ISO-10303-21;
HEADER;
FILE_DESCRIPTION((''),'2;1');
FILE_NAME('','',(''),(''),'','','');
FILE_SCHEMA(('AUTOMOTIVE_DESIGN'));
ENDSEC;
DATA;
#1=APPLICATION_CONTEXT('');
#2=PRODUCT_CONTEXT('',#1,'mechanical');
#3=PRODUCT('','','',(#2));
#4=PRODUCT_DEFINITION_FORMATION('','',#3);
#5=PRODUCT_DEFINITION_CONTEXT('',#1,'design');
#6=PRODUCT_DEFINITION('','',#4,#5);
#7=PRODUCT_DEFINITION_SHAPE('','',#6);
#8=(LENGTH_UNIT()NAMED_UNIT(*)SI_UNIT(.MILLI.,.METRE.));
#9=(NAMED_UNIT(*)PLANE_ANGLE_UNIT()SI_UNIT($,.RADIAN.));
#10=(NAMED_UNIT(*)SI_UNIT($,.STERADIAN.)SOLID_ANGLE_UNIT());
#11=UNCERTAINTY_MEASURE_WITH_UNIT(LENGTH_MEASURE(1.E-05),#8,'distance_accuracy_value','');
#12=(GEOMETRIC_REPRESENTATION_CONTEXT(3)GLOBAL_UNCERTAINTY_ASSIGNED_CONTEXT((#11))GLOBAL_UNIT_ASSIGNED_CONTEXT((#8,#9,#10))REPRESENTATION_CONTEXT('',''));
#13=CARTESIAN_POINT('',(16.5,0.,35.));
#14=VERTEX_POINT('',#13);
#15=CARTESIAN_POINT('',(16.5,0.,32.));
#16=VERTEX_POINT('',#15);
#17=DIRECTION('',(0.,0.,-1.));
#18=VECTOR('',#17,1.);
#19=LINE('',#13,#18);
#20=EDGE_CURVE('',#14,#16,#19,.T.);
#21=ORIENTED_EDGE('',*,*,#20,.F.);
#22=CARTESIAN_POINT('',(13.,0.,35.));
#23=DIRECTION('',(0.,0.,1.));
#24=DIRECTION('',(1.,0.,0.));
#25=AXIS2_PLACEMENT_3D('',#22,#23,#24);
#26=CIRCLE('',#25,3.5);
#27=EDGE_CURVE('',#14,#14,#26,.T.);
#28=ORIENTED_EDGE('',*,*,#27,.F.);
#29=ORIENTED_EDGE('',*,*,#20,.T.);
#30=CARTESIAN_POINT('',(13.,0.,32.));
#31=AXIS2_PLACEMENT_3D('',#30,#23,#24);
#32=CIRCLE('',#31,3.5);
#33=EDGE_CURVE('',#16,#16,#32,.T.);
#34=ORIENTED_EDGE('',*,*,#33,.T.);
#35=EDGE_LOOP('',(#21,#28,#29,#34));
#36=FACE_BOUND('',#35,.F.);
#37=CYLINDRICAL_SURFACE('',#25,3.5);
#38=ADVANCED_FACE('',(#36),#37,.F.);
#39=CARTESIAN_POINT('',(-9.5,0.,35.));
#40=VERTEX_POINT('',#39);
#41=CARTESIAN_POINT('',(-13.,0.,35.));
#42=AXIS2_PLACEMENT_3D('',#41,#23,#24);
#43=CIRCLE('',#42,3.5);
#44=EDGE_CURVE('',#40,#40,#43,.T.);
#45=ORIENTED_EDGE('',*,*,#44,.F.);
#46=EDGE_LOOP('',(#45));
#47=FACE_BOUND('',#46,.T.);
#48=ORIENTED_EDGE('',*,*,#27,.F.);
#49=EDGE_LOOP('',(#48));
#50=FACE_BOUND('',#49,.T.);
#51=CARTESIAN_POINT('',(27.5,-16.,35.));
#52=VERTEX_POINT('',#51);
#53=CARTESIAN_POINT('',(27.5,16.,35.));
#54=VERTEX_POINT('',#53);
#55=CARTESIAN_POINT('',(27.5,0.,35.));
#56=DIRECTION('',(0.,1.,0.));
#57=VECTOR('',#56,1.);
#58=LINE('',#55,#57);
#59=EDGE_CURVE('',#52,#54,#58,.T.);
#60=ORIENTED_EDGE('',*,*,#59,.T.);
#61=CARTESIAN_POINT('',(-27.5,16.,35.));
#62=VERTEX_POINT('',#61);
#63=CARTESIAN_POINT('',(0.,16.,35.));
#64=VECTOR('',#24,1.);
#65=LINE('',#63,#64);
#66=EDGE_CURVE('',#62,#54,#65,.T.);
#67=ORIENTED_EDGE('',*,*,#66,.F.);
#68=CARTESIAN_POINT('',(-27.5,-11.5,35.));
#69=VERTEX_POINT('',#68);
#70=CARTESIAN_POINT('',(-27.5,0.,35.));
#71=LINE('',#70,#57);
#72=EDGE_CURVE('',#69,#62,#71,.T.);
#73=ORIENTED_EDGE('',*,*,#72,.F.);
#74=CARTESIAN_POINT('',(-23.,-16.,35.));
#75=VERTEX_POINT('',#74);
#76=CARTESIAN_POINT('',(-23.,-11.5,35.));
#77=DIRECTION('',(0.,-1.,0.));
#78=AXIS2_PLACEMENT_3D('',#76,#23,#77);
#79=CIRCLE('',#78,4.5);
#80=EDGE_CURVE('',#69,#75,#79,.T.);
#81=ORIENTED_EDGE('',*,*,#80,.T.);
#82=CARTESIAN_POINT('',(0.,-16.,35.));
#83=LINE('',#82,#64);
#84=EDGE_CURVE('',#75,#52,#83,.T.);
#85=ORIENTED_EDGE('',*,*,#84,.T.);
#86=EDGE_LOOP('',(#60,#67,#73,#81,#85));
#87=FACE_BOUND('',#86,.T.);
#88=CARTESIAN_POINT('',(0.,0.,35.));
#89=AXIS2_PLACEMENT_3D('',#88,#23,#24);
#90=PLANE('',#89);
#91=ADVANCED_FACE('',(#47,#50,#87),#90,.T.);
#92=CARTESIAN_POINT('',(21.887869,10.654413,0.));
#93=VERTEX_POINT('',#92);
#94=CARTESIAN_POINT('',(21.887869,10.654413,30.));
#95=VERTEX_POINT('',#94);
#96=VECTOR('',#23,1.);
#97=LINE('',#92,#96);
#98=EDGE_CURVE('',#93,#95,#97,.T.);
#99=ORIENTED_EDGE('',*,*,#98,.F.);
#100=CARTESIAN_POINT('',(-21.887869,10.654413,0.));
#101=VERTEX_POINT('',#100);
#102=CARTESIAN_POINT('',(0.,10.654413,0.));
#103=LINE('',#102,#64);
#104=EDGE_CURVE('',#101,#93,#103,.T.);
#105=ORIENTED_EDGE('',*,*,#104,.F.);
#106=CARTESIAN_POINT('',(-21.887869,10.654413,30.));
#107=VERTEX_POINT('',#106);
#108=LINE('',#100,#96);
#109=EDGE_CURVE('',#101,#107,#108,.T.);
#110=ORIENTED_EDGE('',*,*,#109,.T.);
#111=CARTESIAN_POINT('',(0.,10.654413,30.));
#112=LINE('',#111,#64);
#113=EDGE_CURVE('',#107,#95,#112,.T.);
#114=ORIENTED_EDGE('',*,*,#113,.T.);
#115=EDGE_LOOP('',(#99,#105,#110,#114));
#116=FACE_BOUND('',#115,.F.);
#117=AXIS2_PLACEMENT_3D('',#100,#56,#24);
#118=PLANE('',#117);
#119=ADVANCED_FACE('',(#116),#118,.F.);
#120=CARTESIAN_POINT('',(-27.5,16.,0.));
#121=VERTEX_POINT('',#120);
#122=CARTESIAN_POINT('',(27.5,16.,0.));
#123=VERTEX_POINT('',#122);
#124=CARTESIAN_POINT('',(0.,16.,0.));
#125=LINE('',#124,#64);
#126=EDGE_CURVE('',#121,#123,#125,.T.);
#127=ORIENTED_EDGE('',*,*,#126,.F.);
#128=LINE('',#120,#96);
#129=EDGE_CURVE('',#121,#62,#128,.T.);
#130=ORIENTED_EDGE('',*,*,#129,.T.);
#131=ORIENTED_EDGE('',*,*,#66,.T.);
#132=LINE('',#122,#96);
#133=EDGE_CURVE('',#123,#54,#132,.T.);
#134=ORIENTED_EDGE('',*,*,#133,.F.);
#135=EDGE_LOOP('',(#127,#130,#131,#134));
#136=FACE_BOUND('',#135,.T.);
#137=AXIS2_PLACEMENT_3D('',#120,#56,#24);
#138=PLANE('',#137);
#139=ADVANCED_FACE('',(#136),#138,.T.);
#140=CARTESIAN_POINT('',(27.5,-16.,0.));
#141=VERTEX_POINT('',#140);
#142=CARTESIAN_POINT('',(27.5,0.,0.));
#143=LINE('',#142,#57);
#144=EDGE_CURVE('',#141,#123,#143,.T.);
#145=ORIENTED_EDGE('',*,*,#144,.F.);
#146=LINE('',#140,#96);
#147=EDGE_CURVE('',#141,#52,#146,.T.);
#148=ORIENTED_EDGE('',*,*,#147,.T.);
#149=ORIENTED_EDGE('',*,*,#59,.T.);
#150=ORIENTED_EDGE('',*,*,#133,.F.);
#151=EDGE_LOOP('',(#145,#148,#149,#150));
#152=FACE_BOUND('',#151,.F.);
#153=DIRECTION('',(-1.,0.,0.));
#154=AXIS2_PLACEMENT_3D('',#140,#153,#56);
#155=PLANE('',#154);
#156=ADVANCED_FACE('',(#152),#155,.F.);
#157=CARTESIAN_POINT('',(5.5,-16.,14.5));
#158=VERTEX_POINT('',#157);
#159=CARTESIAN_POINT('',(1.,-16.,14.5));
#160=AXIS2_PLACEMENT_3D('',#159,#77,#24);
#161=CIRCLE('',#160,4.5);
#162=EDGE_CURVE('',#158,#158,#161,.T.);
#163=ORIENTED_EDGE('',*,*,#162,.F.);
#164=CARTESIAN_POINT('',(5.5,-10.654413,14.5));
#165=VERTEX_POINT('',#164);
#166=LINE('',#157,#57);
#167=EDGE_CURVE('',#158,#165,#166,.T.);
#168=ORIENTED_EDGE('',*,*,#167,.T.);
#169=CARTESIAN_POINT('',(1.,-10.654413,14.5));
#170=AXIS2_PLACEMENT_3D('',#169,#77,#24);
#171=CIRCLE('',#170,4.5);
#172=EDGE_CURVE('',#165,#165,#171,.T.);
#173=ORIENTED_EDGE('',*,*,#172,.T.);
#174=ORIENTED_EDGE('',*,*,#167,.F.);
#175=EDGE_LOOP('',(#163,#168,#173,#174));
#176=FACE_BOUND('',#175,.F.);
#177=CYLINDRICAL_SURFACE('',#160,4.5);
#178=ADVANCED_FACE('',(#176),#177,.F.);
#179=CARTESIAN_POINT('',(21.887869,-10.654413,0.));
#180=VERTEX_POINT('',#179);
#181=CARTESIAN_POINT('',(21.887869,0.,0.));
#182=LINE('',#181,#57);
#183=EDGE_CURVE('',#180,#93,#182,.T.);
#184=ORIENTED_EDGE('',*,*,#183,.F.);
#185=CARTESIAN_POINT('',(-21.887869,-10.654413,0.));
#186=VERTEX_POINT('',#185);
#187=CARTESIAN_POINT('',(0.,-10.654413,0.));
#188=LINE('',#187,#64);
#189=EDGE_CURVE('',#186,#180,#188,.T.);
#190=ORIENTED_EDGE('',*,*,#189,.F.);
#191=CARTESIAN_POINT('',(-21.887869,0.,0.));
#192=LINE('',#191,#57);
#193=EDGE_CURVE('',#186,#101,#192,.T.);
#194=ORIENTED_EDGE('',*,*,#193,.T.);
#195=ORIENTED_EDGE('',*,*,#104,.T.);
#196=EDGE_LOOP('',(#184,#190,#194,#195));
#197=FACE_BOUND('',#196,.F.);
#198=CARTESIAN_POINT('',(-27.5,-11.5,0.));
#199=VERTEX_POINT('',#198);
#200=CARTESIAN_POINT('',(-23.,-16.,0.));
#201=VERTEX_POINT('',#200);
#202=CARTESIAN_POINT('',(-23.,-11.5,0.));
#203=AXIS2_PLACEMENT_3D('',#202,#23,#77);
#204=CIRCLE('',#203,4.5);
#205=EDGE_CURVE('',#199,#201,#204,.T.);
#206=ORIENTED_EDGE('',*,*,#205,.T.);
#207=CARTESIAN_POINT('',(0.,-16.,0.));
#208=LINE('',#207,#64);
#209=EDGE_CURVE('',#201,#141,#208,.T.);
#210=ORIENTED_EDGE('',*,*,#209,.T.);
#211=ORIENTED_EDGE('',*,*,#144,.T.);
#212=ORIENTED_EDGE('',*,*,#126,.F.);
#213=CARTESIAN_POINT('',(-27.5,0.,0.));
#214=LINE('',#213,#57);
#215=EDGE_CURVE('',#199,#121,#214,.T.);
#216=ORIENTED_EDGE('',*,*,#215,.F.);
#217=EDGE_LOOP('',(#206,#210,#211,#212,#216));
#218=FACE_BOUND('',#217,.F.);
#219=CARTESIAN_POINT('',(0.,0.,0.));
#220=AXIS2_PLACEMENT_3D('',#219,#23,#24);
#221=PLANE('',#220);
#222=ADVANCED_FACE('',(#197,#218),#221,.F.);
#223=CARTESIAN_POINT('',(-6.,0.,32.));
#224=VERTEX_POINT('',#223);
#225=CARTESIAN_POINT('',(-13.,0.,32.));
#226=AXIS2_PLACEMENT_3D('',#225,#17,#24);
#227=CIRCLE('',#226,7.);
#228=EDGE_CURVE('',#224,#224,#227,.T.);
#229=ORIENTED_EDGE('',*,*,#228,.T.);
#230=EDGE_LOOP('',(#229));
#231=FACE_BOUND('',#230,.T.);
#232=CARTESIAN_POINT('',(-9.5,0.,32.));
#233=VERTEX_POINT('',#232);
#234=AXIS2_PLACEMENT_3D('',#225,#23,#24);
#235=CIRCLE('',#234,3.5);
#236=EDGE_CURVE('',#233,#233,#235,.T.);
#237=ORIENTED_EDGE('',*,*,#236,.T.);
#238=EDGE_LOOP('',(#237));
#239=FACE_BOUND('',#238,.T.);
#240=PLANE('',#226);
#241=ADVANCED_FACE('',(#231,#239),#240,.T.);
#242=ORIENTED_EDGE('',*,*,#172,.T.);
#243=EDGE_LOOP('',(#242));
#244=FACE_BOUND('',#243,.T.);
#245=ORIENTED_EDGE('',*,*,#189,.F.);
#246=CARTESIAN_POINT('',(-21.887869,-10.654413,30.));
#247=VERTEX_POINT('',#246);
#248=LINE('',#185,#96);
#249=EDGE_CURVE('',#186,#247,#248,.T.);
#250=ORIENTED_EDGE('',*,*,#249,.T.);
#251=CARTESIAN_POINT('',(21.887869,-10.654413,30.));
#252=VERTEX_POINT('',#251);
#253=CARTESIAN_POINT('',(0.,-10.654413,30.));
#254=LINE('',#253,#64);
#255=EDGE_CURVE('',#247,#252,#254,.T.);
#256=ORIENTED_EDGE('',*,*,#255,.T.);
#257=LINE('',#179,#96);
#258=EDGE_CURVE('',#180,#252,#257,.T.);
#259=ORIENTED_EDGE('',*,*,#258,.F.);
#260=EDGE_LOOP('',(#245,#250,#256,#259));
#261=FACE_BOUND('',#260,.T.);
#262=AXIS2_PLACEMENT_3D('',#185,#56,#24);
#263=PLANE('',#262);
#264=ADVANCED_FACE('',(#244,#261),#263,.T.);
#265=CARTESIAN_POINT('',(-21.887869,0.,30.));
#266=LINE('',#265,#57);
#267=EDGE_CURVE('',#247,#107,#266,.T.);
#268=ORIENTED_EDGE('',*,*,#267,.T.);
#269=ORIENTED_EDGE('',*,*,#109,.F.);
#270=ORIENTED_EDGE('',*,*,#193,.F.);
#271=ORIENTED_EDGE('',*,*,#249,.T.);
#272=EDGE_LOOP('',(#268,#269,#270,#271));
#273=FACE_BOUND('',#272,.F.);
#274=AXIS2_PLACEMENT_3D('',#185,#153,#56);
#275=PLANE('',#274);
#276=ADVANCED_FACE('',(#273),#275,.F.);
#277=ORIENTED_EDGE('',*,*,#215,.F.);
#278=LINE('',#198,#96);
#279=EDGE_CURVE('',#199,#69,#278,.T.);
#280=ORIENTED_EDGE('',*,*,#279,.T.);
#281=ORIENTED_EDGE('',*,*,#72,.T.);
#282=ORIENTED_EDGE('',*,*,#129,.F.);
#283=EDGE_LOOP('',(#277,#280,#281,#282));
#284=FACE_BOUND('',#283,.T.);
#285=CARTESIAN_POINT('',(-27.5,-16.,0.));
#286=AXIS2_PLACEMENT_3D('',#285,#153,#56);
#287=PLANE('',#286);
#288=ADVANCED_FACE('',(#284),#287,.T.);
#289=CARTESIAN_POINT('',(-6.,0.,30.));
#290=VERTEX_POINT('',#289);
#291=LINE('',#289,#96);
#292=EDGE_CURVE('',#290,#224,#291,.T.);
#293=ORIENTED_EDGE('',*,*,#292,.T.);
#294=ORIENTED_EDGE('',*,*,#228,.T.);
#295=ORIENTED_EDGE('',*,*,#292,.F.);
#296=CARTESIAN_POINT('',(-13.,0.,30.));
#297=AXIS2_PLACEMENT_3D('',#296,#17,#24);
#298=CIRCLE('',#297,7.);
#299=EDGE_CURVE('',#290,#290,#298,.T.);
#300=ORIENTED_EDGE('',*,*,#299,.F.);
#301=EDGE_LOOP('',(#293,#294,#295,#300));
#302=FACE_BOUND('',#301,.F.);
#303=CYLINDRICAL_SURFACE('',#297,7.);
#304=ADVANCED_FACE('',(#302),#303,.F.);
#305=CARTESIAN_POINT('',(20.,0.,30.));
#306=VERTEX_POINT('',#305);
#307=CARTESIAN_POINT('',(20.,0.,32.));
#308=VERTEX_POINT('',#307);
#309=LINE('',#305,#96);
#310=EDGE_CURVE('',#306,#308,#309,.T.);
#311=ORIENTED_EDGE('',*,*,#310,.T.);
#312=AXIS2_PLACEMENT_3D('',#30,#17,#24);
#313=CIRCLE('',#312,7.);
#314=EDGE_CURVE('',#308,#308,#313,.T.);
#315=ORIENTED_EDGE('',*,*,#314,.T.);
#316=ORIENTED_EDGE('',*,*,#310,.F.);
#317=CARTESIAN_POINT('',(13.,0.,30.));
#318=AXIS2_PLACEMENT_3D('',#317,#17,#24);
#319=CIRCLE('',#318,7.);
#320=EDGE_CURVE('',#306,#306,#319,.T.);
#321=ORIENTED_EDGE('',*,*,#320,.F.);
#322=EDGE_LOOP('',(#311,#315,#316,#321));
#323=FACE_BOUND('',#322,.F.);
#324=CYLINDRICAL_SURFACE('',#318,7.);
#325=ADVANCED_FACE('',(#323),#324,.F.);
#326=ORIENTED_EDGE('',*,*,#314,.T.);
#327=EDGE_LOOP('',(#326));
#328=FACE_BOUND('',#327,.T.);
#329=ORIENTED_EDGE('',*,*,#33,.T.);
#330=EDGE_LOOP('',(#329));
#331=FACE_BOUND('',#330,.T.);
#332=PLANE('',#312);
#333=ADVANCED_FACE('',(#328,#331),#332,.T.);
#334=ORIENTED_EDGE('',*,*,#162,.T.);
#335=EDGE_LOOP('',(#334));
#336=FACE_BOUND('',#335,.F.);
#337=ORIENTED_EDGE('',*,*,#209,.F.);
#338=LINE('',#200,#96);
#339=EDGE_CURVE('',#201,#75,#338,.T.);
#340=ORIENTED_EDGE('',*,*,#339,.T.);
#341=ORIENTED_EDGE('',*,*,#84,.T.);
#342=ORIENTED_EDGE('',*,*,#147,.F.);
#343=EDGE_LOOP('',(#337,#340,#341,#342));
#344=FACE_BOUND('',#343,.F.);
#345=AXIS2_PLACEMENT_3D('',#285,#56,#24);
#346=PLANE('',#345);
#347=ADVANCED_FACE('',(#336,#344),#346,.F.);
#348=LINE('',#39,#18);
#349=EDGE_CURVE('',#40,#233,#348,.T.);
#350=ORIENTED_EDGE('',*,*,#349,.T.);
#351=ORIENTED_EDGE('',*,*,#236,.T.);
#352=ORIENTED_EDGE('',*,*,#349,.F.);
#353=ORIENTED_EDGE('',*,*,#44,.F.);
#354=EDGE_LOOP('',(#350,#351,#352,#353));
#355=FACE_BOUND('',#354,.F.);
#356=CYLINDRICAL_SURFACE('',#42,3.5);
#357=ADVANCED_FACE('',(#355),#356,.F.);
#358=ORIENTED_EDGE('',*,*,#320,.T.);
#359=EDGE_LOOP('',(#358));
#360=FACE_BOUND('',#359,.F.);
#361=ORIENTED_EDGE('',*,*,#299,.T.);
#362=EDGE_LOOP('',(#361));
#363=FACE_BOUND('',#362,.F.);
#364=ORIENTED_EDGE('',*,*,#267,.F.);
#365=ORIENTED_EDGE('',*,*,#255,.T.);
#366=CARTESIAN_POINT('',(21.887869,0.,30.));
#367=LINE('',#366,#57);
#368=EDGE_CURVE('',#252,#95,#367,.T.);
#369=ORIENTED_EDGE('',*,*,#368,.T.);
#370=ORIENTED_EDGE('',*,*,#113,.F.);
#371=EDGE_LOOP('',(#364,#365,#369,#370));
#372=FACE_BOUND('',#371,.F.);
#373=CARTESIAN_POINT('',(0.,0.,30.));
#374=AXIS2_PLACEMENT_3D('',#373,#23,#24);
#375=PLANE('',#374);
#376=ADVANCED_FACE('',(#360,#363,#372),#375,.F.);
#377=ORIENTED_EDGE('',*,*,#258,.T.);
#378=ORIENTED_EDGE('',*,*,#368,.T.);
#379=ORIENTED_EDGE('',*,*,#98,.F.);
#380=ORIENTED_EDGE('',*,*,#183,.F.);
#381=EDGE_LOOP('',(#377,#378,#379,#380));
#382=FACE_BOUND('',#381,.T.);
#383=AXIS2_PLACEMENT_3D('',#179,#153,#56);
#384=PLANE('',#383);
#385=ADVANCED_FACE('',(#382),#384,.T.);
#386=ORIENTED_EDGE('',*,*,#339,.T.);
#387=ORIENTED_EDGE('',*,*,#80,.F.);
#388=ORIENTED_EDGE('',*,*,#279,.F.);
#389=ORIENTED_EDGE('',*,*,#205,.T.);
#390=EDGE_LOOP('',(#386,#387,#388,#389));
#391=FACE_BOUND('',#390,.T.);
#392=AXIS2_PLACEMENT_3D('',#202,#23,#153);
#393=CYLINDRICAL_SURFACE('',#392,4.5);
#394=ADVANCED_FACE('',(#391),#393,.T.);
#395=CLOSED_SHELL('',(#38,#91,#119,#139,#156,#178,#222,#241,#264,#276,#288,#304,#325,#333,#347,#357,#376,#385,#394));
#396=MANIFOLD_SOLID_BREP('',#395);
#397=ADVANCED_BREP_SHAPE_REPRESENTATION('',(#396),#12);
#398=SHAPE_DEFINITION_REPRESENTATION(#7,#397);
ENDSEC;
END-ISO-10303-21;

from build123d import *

# Parameters (mm, degrees)
F0_W      = 55
F0_H      = 32
F1_DEPTH  = 35
F2_W      = 43.775738
F2_H      = 21.308826
F3_DEPTH  = 30
F4_R      = 4.5
F5_R      = 4.5
F6_DEPTH  = 10
F7_R      = 3.5
F8_DEPTH  = 3
F9_R      = 7
F10_DEPTH = 2


with BuildPart() as f1:
    # F0 (on Top) → F1 (new body)
    with BuildSketch(Plane.XY):
        Rectangle(F0_W, F0_H)
    extrude(amount=F1_DEPTH)

    # F2 (on Top) → F3 (cut)
    with BuildSketch(Plane.XY):
        Rectangle(F2_W, F2_H)
    extrude(amount=F3_DEPTH, mode=Mode.SUBTRACT)

    # F4
    f4_edges = [f1.edges().sort_by_distance(p)[0] for p in [
        (-27.5, -16, 17.5),
    ]]
    fillet(f4_edges, radius=F4_R)

    # F5 (on face) → F6 (cut)
    with BuildSketch(Plane.XZ.offset(16)):
        with Locations((1, 14.5)):
            Circle(F5_R)
    extrude(amount=-F6_DEPTH, mode=Mode.SUBTRACT)

    # F7 (on face) → F8 (cut)
    with BuildSketch(Plane.XY.offset(35)):
        with Locations((-13, 0)):
            Circle(F7_R)
        with Locations((13, 0)):
            Circle(F7_R)
    extrude(amount=-F8_DEPTH, mode=Mode.SUBTRACT)

    # F9 (on face) → F10 (cut)
    with BuildSketch(Plane(origin=(0, 0, 30), x_dir=(1, 0, 0), z_dir=(0, 0, -1))):
        with Locations((-13, 0)):
            Circle(F9_R)
        with Locations((13, 0)):
            Circle(F9_R)
    extrude(amount=-F10_DEPTH, mode=Mode.SUBTRACT)


solid = f1.part
